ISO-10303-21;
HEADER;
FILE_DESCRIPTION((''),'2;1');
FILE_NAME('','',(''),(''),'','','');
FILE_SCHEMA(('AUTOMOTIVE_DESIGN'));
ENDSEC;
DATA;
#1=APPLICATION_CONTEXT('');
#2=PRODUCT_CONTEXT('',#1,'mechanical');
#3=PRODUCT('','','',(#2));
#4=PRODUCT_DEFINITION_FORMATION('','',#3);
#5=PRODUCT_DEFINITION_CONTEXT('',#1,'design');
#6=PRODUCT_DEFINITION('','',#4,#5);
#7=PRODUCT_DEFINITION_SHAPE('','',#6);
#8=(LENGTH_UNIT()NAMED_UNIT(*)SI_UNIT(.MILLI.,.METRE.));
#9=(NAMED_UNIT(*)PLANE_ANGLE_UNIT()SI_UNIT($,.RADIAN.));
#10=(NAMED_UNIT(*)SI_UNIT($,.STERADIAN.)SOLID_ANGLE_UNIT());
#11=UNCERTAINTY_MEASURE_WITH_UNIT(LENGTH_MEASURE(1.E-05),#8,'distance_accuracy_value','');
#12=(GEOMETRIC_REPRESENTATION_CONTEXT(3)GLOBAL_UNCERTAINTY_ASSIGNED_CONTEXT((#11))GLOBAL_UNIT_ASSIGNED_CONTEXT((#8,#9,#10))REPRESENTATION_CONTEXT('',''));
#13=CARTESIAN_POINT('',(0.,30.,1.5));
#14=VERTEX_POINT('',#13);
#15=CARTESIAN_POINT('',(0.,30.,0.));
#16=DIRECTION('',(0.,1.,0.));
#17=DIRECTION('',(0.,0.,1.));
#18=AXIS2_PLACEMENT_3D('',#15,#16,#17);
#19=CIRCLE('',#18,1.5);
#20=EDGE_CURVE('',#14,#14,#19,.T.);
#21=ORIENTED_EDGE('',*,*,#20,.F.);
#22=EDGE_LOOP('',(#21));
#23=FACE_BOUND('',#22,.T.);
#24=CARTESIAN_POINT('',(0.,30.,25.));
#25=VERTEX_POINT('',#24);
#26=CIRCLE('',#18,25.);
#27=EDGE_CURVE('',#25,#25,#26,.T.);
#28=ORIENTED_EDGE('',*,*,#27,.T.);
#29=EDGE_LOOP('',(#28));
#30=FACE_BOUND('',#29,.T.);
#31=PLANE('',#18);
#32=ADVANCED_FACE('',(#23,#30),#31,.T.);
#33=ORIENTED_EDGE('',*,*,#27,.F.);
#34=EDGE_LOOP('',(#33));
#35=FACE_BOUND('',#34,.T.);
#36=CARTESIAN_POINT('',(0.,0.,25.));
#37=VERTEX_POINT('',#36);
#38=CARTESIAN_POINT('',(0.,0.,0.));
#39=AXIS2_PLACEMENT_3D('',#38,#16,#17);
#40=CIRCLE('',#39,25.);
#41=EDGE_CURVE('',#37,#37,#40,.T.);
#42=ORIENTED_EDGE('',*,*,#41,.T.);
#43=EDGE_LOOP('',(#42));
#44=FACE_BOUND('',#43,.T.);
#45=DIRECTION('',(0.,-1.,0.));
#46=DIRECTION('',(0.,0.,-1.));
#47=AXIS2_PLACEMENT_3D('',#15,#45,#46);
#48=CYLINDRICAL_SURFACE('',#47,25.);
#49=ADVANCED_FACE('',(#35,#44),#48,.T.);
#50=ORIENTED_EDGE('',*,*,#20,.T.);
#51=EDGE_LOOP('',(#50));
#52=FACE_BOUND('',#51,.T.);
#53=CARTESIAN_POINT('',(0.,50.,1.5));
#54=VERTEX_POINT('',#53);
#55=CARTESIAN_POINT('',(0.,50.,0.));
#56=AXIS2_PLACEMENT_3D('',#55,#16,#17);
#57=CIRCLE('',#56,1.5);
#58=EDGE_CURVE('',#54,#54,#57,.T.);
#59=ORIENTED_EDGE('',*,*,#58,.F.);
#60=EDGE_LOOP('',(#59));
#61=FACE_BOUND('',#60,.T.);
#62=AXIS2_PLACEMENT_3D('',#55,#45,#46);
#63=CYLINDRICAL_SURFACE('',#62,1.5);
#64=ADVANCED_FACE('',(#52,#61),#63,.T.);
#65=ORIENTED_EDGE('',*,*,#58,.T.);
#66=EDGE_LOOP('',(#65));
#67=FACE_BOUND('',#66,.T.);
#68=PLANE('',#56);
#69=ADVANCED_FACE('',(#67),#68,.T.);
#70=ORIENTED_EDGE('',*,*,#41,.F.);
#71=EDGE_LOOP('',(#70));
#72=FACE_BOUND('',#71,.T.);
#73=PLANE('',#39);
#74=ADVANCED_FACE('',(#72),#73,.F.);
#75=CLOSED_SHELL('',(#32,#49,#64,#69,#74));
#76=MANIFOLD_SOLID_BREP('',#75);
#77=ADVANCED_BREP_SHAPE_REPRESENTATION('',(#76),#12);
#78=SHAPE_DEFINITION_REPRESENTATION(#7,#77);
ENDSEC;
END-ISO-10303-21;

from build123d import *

# Parameters (mm, degrees)
SKETCH1_R           = 25
BOSS_EXTRUDE1_DEPTH = 30
SKETCH2_R           = 1.5
BOSS_EXTRUDE2_DEPTH = 20


with BuildPart() as part:
    # Sketch1 → Boss-Extrude1 (new body)
    with BuildSketch(Plane(origin=(0, 0, 0), x_dir=(1, 0, 0), z_dir=(0, 1, 0))):
        Circle(SKETCH1_R)
    extrude(amount=BOSS_EXTRUDE1_DEPTH)

    # Sketch2 → Boss-Extrude2 (add)
    with BuildSketch(Plane(origin=(0, 30, 0), x_dir=(1, 0, 0), z_dir=(0, 1, 0))):
        Circle(SKETCH2_R)
    extrude(amount=BOSS_EXTRUDE2_DEPTH)


solid = part.part
